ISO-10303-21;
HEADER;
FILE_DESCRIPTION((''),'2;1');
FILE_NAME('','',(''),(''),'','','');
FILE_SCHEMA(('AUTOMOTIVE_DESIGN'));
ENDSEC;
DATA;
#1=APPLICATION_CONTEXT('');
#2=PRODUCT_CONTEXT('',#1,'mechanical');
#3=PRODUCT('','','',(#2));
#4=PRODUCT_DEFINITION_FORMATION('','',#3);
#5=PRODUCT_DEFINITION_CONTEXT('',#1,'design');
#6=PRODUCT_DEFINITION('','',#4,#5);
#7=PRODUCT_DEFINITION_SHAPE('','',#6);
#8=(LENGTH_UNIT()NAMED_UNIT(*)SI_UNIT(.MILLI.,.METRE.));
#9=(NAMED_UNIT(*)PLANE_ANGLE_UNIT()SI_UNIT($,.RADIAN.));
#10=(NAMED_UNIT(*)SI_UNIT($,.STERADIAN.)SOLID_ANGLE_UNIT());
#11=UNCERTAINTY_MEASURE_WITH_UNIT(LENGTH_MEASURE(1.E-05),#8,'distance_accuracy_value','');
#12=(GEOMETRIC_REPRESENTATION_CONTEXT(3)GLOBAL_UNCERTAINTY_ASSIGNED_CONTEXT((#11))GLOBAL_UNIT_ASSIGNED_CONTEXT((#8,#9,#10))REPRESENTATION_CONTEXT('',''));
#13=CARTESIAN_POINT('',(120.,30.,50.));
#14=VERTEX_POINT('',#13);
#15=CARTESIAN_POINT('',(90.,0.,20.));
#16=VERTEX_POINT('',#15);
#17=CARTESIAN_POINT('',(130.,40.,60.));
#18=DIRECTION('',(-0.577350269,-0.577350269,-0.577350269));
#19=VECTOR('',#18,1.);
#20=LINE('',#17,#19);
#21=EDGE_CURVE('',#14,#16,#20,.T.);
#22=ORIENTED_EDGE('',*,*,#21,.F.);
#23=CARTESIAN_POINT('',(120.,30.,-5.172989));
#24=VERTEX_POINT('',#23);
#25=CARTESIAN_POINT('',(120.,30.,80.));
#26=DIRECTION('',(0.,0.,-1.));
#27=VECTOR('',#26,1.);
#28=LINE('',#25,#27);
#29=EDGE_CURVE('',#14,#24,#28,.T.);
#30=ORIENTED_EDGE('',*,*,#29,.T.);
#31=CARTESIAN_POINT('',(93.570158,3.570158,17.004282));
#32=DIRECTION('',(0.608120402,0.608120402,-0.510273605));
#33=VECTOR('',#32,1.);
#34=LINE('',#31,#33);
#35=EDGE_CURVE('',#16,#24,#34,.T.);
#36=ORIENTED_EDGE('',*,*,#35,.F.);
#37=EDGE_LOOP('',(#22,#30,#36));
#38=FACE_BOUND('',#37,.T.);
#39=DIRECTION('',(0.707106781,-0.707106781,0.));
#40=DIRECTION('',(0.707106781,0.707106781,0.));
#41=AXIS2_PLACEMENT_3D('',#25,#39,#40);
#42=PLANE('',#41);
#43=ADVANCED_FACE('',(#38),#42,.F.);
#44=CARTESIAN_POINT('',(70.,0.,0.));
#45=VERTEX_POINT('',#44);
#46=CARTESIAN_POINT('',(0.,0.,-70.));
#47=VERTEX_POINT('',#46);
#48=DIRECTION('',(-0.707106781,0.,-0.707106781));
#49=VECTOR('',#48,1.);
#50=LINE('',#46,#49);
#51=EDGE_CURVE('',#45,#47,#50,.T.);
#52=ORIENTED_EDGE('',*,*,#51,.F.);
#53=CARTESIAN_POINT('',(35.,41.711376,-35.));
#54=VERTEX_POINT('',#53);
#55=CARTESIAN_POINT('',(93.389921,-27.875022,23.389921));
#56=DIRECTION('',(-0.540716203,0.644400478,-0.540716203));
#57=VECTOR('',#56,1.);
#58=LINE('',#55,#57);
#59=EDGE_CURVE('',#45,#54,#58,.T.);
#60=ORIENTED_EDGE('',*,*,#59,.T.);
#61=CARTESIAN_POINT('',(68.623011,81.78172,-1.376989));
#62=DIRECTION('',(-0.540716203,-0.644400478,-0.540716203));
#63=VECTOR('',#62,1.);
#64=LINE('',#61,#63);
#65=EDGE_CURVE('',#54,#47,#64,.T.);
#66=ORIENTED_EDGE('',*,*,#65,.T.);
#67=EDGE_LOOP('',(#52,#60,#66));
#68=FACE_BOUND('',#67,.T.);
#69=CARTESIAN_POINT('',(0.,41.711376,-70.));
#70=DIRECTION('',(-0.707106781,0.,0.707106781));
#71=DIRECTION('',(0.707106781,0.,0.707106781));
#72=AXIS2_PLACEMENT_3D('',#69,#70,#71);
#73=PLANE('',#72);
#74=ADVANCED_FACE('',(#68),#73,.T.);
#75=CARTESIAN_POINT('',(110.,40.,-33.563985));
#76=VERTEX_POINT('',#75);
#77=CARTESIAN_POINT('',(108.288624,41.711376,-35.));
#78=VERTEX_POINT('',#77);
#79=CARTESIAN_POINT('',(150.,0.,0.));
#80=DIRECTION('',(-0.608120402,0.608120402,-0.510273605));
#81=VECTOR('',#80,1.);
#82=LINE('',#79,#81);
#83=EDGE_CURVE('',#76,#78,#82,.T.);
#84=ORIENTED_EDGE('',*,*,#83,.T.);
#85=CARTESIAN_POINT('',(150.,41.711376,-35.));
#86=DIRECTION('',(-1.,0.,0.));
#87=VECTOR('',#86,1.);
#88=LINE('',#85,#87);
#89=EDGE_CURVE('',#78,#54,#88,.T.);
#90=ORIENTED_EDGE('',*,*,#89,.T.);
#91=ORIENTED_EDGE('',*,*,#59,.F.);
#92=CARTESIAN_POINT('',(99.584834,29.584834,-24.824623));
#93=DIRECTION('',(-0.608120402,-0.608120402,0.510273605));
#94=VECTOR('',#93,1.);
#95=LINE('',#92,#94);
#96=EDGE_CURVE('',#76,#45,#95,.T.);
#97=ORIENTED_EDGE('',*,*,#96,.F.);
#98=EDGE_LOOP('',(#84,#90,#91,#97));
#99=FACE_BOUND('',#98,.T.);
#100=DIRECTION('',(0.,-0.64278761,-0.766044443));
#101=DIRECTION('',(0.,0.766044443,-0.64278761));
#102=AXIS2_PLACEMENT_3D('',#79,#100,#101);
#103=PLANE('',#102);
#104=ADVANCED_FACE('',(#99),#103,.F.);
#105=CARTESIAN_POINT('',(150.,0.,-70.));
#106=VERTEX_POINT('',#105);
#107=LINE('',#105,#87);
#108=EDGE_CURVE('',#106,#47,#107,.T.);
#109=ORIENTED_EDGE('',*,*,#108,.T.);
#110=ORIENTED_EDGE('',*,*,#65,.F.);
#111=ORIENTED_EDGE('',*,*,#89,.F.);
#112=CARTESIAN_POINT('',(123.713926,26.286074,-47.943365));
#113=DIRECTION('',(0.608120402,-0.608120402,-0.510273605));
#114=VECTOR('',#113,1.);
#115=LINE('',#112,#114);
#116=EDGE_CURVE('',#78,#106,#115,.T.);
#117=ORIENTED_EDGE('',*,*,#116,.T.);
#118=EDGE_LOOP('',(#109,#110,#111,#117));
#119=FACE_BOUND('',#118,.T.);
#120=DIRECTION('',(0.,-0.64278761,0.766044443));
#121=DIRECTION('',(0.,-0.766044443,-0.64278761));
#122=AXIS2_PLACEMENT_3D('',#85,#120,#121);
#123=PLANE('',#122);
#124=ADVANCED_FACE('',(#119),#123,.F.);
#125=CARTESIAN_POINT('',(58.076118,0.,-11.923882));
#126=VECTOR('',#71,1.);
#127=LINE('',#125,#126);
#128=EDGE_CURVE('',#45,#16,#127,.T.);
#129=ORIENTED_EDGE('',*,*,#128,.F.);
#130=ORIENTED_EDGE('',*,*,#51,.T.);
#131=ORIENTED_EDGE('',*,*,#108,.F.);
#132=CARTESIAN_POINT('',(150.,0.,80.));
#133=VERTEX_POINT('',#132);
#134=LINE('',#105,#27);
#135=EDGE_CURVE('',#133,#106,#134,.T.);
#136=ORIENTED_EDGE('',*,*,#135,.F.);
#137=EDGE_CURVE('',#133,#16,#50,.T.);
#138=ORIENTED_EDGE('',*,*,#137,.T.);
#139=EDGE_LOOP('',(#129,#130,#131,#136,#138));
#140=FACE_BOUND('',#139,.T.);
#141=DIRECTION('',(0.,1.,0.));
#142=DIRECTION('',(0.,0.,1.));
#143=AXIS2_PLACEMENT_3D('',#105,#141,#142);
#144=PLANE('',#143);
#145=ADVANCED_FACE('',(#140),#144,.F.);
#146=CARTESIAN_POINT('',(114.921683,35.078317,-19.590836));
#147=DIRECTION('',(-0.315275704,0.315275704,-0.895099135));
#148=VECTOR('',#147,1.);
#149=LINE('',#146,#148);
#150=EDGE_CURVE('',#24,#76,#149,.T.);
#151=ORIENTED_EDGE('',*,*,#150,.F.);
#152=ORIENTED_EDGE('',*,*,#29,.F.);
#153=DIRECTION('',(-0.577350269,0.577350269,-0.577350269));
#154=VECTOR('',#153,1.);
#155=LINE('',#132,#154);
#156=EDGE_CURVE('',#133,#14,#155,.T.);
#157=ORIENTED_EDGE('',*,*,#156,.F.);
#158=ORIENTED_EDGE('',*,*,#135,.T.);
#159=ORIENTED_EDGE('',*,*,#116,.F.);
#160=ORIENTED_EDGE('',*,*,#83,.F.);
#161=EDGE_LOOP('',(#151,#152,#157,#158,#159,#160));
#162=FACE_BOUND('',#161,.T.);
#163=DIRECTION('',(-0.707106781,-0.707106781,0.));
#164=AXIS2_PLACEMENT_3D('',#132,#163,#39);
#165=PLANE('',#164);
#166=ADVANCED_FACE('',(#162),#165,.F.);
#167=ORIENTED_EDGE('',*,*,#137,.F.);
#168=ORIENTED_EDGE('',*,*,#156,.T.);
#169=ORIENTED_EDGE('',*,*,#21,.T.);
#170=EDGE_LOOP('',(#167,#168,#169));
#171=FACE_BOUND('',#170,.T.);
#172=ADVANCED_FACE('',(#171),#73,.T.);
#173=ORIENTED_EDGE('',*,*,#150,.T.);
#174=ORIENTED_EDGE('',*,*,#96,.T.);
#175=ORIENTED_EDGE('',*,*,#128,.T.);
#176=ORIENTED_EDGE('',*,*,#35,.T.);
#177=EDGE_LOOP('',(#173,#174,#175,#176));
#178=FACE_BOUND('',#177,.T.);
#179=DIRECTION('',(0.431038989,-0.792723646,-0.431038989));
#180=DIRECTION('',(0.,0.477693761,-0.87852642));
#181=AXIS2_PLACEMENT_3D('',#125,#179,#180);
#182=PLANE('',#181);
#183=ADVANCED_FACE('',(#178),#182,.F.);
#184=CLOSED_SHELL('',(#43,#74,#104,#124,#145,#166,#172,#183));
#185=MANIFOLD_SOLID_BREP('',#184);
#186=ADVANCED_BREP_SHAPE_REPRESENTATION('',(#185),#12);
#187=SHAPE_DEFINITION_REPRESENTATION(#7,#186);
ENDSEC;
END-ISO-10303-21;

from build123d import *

# Parameters (mm, degrees)
SURFACESAB_DEPTH        = 150
SURFACESCD_DEPTH        = 80
SURFACESCD_DEPTH_BACK   = 70
CUT_EXTRUDE3_DEPTH      = 42.711375741
SURFACEE_DEPTH          = 130
CUT_EXTRUDE9_DEPTH      = 81
CUT_EXTRUDE9_DEPTH_BACK = 71
CUT_EXTRUDE10_DEPTH     = 150


with BuildPart() as part:
    # Sketch2 → SurfacesAB (new body)
    with BuildSketch(Plane(origin=(0, 0, 0), x_dir=(0, 0, -1), z_dir=(1, 0, 0))):
        Polygon((0, 0), (35, 41.711375741), (70, 0), align=None)
    extrude(amount=SURFACESAB_DEPTH)

    # Sketch3 → SurfacesCD (add, two sides)
    with BuildSketch(Plane.XY) as surfacescd_sk:
        Polygon((150, 0), (120, 30), (90, 0), align=None)
    extrude(amount=SURFACESCD_DEPTH)
    extrude(surfacescd_sk.sketch, amount=-SURFACESCD_DEPTH_BACK)

    # Sketch6 → Cut-Extrude3 (cut, through all)
    with BuildSketch(Plane(origin=(0, 0, 0), x_dir=(1, 0, 0), z_dir=(0, 1, 0))):
        Polygon((0, 70), (150, -80), (0, -80), align=None)
    extrude(amount=CUT_EXTRUDE3_DEPTH, mode=Mode.SUBTRACT)

    # Sketch13 → SurfaceE (add)
    with BuildSketch(Plane(origin=(150, 0, 80), x_dir=(-0.707106781, 0, 0.707106781), z_dir=(-0.707106781, 0, -0.707106781))):
        Polygon((0, 0), (-14.142135624, 0), (-79.799705645, 50.488741568), (-80.104771591, 61.598214949), align=None)
    extrude(amount=SURFACEE_DEPTH)

    # Sketch10 → Cut-Extrude9 (cut, two sides)
    with BuildSketch(Plane.XY) as cut_extrude9_sk:
        Polygon((150, 0), (83.43213667, 66.56786333), (150, 66.56786333), (213.23579194, 66.56786333), (213.23579194, 0), align=None)
    extrude(amount=CUT_EXTRUDE9_DEPTH, mode=Mode.SUBTRACT)
    extrude(cut_extrude9_sk.sketch, amount=-CUT_EXTRUDE9_DEPTH_BACK, mode=Mode.SUBTRACT)

    # Sketch4 → Cut-Extrude10 (cut)
    with BuildSketch(Plane(origin=(150, 0, 0), x_dir=(0, 0, -1), z_dir=(1, 0, 0))):
        Polygon((70, 0), (18.686100405, 61.153524192), (70, 61.153524192), align=None)
    extrude(amount=-CUT_EXTRUDE10_DEPTH, mode=Mode.SUBTRACT)


solid = part.part
